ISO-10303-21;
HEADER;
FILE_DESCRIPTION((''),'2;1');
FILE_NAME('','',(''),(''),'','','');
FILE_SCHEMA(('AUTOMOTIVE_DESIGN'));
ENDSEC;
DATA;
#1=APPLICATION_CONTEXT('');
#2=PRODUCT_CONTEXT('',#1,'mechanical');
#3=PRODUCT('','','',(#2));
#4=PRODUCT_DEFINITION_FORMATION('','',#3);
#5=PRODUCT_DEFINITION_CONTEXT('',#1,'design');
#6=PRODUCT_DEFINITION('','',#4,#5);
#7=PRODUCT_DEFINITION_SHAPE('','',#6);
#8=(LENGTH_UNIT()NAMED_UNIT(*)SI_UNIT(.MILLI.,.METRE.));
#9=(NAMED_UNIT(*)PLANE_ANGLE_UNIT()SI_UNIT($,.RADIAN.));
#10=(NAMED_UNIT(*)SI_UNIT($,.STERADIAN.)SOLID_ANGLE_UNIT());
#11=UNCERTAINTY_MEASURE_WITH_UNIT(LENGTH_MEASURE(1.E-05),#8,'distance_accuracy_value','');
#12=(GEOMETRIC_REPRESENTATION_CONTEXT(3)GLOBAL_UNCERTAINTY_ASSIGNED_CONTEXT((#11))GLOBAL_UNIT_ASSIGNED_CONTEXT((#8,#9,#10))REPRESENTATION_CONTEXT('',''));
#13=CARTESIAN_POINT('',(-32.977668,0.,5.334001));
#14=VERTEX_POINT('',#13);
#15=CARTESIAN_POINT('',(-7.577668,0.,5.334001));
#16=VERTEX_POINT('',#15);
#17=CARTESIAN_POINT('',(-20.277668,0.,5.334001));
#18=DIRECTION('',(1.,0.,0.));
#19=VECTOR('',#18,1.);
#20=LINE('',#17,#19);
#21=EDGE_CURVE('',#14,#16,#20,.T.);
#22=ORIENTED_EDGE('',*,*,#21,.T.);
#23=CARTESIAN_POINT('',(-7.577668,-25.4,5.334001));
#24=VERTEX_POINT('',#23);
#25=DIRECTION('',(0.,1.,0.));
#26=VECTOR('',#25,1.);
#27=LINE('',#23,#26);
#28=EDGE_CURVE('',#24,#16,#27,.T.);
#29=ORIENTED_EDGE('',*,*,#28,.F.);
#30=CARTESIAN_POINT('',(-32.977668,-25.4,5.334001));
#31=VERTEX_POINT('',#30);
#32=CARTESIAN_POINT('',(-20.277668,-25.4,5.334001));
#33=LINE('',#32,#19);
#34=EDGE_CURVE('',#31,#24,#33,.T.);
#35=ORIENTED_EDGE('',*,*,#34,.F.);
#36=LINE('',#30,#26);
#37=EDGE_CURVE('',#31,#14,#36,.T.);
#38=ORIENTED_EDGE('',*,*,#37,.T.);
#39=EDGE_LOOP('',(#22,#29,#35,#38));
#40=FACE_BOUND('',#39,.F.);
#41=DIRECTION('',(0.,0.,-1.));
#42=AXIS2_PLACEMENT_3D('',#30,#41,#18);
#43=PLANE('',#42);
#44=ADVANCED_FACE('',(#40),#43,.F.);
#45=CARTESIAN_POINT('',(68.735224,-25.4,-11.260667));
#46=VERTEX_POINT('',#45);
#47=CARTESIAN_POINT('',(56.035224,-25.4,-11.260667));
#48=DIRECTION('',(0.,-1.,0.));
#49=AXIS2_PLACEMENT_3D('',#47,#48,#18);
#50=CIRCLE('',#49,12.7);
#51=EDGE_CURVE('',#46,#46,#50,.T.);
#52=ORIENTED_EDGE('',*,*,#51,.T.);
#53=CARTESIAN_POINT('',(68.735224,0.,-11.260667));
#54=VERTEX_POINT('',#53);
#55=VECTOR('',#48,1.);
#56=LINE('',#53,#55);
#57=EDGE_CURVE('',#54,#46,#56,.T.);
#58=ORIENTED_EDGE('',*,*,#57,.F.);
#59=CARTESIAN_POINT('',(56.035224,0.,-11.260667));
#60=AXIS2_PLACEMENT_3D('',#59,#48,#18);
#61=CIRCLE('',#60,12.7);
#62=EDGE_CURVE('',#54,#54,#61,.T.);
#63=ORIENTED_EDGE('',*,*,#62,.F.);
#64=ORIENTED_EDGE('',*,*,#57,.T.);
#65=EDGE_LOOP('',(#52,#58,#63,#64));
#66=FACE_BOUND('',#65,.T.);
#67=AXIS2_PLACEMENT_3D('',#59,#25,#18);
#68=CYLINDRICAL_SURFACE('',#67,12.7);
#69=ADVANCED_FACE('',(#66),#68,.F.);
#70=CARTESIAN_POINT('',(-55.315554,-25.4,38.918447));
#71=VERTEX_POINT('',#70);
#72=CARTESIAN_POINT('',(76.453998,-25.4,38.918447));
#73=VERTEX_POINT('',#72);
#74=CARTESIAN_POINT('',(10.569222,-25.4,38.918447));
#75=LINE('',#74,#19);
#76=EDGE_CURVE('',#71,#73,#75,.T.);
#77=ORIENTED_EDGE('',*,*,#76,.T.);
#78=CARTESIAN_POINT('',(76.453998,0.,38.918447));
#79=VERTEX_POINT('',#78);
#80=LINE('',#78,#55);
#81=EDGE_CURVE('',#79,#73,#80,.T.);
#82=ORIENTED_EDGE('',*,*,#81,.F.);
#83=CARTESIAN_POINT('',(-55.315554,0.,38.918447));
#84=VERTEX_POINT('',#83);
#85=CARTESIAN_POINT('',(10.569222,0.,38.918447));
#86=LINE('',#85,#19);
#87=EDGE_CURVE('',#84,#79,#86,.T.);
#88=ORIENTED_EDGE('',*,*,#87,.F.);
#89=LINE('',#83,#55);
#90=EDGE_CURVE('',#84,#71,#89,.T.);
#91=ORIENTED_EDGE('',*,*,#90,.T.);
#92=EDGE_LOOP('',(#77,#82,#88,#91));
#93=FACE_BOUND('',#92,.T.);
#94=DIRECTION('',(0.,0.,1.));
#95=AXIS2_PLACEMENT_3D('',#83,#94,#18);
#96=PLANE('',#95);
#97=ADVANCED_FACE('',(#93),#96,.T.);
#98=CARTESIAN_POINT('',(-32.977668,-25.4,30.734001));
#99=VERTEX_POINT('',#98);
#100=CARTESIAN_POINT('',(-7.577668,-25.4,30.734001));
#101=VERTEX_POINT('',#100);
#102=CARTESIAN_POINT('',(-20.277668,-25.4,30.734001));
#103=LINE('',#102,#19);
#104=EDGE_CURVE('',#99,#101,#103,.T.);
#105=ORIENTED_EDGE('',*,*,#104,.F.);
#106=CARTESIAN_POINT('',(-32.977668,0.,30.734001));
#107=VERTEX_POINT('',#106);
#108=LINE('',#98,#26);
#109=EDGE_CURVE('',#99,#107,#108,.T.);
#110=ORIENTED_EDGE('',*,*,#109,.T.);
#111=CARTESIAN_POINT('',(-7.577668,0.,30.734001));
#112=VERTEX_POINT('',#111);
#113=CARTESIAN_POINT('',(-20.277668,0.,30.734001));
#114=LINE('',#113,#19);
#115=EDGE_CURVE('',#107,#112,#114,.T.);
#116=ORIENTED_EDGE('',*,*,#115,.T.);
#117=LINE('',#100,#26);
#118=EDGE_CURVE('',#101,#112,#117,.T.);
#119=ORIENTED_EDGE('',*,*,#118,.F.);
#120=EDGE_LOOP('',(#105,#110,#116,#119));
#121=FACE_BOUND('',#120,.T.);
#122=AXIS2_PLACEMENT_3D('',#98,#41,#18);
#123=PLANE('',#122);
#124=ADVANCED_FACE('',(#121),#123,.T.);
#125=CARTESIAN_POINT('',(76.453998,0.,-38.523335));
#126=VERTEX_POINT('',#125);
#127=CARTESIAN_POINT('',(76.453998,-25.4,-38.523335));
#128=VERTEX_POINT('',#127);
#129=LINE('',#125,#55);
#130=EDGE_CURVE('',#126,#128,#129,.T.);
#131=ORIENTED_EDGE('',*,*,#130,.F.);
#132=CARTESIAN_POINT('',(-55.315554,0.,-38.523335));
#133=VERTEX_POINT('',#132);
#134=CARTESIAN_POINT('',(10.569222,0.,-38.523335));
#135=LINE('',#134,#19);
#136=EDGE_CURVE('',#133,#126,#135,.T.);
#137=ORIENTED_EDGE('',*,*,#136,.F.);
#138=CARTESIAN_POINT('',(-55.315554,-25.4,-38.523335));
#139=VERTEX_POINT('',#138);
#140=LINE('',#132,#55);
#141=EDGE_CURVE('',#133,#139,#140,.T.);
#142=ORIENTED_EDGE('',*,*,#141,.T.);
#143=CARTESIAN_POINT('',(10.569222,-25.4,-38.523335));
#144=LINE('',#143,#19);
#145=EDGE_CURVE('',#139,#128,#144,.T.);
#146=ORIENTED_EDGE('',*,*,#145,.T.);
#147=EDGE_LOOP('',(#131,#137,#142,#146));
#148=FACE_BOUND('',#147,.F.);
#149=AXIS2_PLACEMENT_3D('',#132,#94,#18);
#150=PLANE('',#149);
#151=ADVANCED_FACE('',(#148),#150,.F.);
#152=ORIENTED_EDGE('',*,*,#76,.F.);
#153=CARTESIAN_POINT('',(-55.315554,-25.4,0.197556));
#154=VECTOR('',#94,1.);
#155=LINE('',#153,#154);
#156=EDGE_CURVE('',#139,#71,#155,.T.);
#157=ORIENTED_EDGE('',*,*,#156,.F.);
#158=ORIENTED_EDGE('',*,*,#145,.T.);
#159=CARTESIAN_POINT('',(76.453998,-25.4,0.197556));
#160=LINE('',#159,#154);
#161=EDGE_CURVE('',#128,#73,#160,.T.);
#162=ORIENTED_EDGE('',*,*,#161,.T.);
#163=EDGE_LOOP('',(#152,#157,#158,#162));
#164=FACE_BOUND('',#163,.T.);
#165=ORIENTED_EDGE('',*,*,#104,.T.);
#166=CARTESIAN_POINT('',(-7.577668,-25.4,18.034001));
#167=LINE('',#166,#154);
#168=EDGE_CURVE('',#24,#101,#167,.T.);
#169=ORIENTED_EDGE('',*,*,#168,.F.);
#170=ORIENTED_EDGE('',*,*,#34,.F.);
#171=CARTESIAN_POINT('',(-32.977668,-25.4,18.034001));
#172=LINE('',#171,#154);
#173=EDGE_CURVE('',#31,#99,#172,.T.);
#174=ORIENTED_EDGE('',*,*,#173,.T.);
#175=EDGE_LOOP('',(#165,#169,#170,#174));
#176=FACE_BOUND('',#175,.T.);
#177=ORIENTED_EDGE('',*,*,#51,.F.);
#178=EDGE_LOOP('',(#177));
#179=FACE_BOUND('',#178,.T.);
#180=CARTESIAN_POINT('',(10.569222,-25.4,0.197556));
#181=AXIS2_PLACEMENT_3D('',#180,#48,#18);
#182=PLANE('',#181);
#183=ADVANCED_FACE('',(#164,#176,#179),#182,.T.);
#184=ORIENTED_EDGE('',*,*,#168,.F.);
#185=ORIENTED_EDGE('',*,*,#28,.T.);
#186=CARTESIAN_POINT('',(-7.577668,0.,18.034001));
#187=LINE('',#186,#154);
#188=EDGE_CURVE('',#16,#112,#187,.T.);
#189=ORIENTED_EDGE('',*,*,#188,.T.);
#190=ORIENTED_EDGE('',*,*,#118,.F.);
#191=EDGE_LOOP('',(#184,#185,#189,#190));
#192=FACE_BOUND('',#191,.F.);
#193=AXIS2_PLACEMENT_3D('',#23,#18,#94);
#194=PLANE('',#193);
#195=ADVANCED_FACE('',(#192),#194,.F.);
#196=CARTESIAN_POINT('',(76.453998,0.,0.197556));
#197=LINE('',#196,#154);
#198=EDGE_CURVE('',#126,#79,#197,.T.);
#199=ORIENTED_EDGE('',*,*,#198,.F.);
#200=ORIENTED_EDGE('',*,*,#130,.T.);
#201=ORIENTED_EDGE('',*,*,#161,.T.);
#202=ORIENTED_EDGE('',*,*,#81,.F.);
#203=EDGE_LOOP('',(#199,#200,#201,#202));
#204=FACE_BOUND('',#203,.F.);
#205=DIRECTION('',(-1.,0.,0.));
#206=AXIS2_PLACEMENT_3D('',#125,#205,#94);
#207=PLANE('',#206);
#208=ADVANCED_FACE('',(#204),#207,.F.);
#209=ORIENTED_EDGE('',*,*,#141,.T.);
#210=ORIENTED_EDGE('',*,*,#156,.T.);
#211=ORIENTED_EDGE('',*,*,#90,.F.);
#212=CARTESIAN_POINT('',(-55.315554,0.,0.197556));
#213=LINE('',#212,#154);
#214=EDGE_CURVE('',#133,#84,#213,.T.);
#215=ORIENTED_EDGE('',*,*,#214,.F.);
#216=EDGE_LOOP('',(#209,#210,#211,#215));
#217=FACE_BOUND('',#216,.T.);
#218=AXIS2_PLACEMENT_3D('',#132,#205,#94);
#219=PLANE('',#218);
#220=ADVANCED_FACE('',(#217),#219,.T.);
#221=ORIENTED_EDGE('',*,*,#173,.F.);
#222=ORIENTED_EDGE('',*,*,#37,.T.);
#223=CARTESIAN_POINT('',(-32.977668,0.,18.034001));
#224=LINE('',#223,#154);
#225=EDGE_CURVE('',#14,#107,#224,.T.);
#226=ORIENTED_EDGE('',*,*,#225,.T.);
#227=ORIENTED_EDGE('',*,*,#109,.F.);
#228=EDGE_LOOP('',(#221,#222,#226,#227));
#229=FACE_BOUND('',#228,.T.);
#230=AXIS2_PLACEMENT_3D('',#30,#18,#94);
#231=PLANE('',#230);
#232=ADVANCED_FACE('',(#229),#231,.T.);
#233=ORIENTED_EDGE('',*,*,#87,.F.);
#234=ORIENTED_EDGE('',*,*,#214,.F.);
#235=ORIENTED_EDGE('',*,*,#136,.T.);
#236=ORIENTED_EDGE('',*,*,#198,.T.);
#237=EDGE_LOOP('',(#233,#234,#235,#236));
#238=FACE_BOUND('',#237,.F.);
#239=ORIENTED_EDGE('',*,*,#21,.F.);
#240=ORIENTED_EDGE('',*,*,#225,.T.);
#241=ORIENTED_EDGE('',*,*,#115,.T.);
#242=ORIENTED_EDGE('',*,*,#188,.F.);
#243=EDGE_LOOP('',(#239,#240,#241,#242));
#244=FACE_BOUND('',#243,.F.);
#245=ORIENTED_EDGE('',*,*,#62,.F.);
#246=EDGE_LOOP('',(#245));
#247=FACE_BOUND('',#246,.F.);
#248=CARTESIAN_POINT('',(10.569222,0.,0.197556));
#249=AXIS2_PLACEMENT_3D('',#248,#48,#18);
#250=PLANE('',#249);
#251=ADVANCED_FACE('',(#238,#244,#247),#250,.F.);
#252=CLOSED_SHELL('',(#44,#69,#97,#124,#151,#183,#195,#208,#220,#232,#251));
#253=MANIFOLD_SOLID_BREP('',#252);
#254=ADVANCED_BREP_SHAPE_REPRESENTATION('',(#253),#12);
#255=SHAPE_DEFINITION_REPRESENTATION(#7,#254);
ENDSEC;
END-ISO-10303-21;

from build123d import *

# Parameters (mm, degrees)
F0_W     = 131.769553
F0_H     = 77.441782
F1_DEPTH = 25.4
F2_R     = 12.7
F3_DEPTH = 25.4
F4_W     = 25.4
F4_H     = 25.4
F5_DEPTH = 25.4


with BuildPart() as f1:
    # F0 (on Front) → F1 (new body)
    with BuildSketch(Plane.XZ):
        with Locations((10.569222, 0.197556)):
            Rectangle(F0_W, F0_H)
    extrude(amount=F1_DEPTH)

    # F2 (on Front) → F3 (cut)
    with BuildSketch(Plane.XZ):
        with Locations((56.035224, -11.260667)):
            Circle(F2_R)
    extrude(amount=F3_DEPTH, mode=Mode.SUBTRACT)

    # F4 (on face) → F5 (cut)
    with BuildSketch(Plane.XZ.offset(25.4)):
        with Locations((-20.277668, 18.034001)):
            Rectangle(F4_W, F4_H)
    extrude(amount=-F5_DEPTH, mode=Mode.SUBTRACT)


solid = f1.part
